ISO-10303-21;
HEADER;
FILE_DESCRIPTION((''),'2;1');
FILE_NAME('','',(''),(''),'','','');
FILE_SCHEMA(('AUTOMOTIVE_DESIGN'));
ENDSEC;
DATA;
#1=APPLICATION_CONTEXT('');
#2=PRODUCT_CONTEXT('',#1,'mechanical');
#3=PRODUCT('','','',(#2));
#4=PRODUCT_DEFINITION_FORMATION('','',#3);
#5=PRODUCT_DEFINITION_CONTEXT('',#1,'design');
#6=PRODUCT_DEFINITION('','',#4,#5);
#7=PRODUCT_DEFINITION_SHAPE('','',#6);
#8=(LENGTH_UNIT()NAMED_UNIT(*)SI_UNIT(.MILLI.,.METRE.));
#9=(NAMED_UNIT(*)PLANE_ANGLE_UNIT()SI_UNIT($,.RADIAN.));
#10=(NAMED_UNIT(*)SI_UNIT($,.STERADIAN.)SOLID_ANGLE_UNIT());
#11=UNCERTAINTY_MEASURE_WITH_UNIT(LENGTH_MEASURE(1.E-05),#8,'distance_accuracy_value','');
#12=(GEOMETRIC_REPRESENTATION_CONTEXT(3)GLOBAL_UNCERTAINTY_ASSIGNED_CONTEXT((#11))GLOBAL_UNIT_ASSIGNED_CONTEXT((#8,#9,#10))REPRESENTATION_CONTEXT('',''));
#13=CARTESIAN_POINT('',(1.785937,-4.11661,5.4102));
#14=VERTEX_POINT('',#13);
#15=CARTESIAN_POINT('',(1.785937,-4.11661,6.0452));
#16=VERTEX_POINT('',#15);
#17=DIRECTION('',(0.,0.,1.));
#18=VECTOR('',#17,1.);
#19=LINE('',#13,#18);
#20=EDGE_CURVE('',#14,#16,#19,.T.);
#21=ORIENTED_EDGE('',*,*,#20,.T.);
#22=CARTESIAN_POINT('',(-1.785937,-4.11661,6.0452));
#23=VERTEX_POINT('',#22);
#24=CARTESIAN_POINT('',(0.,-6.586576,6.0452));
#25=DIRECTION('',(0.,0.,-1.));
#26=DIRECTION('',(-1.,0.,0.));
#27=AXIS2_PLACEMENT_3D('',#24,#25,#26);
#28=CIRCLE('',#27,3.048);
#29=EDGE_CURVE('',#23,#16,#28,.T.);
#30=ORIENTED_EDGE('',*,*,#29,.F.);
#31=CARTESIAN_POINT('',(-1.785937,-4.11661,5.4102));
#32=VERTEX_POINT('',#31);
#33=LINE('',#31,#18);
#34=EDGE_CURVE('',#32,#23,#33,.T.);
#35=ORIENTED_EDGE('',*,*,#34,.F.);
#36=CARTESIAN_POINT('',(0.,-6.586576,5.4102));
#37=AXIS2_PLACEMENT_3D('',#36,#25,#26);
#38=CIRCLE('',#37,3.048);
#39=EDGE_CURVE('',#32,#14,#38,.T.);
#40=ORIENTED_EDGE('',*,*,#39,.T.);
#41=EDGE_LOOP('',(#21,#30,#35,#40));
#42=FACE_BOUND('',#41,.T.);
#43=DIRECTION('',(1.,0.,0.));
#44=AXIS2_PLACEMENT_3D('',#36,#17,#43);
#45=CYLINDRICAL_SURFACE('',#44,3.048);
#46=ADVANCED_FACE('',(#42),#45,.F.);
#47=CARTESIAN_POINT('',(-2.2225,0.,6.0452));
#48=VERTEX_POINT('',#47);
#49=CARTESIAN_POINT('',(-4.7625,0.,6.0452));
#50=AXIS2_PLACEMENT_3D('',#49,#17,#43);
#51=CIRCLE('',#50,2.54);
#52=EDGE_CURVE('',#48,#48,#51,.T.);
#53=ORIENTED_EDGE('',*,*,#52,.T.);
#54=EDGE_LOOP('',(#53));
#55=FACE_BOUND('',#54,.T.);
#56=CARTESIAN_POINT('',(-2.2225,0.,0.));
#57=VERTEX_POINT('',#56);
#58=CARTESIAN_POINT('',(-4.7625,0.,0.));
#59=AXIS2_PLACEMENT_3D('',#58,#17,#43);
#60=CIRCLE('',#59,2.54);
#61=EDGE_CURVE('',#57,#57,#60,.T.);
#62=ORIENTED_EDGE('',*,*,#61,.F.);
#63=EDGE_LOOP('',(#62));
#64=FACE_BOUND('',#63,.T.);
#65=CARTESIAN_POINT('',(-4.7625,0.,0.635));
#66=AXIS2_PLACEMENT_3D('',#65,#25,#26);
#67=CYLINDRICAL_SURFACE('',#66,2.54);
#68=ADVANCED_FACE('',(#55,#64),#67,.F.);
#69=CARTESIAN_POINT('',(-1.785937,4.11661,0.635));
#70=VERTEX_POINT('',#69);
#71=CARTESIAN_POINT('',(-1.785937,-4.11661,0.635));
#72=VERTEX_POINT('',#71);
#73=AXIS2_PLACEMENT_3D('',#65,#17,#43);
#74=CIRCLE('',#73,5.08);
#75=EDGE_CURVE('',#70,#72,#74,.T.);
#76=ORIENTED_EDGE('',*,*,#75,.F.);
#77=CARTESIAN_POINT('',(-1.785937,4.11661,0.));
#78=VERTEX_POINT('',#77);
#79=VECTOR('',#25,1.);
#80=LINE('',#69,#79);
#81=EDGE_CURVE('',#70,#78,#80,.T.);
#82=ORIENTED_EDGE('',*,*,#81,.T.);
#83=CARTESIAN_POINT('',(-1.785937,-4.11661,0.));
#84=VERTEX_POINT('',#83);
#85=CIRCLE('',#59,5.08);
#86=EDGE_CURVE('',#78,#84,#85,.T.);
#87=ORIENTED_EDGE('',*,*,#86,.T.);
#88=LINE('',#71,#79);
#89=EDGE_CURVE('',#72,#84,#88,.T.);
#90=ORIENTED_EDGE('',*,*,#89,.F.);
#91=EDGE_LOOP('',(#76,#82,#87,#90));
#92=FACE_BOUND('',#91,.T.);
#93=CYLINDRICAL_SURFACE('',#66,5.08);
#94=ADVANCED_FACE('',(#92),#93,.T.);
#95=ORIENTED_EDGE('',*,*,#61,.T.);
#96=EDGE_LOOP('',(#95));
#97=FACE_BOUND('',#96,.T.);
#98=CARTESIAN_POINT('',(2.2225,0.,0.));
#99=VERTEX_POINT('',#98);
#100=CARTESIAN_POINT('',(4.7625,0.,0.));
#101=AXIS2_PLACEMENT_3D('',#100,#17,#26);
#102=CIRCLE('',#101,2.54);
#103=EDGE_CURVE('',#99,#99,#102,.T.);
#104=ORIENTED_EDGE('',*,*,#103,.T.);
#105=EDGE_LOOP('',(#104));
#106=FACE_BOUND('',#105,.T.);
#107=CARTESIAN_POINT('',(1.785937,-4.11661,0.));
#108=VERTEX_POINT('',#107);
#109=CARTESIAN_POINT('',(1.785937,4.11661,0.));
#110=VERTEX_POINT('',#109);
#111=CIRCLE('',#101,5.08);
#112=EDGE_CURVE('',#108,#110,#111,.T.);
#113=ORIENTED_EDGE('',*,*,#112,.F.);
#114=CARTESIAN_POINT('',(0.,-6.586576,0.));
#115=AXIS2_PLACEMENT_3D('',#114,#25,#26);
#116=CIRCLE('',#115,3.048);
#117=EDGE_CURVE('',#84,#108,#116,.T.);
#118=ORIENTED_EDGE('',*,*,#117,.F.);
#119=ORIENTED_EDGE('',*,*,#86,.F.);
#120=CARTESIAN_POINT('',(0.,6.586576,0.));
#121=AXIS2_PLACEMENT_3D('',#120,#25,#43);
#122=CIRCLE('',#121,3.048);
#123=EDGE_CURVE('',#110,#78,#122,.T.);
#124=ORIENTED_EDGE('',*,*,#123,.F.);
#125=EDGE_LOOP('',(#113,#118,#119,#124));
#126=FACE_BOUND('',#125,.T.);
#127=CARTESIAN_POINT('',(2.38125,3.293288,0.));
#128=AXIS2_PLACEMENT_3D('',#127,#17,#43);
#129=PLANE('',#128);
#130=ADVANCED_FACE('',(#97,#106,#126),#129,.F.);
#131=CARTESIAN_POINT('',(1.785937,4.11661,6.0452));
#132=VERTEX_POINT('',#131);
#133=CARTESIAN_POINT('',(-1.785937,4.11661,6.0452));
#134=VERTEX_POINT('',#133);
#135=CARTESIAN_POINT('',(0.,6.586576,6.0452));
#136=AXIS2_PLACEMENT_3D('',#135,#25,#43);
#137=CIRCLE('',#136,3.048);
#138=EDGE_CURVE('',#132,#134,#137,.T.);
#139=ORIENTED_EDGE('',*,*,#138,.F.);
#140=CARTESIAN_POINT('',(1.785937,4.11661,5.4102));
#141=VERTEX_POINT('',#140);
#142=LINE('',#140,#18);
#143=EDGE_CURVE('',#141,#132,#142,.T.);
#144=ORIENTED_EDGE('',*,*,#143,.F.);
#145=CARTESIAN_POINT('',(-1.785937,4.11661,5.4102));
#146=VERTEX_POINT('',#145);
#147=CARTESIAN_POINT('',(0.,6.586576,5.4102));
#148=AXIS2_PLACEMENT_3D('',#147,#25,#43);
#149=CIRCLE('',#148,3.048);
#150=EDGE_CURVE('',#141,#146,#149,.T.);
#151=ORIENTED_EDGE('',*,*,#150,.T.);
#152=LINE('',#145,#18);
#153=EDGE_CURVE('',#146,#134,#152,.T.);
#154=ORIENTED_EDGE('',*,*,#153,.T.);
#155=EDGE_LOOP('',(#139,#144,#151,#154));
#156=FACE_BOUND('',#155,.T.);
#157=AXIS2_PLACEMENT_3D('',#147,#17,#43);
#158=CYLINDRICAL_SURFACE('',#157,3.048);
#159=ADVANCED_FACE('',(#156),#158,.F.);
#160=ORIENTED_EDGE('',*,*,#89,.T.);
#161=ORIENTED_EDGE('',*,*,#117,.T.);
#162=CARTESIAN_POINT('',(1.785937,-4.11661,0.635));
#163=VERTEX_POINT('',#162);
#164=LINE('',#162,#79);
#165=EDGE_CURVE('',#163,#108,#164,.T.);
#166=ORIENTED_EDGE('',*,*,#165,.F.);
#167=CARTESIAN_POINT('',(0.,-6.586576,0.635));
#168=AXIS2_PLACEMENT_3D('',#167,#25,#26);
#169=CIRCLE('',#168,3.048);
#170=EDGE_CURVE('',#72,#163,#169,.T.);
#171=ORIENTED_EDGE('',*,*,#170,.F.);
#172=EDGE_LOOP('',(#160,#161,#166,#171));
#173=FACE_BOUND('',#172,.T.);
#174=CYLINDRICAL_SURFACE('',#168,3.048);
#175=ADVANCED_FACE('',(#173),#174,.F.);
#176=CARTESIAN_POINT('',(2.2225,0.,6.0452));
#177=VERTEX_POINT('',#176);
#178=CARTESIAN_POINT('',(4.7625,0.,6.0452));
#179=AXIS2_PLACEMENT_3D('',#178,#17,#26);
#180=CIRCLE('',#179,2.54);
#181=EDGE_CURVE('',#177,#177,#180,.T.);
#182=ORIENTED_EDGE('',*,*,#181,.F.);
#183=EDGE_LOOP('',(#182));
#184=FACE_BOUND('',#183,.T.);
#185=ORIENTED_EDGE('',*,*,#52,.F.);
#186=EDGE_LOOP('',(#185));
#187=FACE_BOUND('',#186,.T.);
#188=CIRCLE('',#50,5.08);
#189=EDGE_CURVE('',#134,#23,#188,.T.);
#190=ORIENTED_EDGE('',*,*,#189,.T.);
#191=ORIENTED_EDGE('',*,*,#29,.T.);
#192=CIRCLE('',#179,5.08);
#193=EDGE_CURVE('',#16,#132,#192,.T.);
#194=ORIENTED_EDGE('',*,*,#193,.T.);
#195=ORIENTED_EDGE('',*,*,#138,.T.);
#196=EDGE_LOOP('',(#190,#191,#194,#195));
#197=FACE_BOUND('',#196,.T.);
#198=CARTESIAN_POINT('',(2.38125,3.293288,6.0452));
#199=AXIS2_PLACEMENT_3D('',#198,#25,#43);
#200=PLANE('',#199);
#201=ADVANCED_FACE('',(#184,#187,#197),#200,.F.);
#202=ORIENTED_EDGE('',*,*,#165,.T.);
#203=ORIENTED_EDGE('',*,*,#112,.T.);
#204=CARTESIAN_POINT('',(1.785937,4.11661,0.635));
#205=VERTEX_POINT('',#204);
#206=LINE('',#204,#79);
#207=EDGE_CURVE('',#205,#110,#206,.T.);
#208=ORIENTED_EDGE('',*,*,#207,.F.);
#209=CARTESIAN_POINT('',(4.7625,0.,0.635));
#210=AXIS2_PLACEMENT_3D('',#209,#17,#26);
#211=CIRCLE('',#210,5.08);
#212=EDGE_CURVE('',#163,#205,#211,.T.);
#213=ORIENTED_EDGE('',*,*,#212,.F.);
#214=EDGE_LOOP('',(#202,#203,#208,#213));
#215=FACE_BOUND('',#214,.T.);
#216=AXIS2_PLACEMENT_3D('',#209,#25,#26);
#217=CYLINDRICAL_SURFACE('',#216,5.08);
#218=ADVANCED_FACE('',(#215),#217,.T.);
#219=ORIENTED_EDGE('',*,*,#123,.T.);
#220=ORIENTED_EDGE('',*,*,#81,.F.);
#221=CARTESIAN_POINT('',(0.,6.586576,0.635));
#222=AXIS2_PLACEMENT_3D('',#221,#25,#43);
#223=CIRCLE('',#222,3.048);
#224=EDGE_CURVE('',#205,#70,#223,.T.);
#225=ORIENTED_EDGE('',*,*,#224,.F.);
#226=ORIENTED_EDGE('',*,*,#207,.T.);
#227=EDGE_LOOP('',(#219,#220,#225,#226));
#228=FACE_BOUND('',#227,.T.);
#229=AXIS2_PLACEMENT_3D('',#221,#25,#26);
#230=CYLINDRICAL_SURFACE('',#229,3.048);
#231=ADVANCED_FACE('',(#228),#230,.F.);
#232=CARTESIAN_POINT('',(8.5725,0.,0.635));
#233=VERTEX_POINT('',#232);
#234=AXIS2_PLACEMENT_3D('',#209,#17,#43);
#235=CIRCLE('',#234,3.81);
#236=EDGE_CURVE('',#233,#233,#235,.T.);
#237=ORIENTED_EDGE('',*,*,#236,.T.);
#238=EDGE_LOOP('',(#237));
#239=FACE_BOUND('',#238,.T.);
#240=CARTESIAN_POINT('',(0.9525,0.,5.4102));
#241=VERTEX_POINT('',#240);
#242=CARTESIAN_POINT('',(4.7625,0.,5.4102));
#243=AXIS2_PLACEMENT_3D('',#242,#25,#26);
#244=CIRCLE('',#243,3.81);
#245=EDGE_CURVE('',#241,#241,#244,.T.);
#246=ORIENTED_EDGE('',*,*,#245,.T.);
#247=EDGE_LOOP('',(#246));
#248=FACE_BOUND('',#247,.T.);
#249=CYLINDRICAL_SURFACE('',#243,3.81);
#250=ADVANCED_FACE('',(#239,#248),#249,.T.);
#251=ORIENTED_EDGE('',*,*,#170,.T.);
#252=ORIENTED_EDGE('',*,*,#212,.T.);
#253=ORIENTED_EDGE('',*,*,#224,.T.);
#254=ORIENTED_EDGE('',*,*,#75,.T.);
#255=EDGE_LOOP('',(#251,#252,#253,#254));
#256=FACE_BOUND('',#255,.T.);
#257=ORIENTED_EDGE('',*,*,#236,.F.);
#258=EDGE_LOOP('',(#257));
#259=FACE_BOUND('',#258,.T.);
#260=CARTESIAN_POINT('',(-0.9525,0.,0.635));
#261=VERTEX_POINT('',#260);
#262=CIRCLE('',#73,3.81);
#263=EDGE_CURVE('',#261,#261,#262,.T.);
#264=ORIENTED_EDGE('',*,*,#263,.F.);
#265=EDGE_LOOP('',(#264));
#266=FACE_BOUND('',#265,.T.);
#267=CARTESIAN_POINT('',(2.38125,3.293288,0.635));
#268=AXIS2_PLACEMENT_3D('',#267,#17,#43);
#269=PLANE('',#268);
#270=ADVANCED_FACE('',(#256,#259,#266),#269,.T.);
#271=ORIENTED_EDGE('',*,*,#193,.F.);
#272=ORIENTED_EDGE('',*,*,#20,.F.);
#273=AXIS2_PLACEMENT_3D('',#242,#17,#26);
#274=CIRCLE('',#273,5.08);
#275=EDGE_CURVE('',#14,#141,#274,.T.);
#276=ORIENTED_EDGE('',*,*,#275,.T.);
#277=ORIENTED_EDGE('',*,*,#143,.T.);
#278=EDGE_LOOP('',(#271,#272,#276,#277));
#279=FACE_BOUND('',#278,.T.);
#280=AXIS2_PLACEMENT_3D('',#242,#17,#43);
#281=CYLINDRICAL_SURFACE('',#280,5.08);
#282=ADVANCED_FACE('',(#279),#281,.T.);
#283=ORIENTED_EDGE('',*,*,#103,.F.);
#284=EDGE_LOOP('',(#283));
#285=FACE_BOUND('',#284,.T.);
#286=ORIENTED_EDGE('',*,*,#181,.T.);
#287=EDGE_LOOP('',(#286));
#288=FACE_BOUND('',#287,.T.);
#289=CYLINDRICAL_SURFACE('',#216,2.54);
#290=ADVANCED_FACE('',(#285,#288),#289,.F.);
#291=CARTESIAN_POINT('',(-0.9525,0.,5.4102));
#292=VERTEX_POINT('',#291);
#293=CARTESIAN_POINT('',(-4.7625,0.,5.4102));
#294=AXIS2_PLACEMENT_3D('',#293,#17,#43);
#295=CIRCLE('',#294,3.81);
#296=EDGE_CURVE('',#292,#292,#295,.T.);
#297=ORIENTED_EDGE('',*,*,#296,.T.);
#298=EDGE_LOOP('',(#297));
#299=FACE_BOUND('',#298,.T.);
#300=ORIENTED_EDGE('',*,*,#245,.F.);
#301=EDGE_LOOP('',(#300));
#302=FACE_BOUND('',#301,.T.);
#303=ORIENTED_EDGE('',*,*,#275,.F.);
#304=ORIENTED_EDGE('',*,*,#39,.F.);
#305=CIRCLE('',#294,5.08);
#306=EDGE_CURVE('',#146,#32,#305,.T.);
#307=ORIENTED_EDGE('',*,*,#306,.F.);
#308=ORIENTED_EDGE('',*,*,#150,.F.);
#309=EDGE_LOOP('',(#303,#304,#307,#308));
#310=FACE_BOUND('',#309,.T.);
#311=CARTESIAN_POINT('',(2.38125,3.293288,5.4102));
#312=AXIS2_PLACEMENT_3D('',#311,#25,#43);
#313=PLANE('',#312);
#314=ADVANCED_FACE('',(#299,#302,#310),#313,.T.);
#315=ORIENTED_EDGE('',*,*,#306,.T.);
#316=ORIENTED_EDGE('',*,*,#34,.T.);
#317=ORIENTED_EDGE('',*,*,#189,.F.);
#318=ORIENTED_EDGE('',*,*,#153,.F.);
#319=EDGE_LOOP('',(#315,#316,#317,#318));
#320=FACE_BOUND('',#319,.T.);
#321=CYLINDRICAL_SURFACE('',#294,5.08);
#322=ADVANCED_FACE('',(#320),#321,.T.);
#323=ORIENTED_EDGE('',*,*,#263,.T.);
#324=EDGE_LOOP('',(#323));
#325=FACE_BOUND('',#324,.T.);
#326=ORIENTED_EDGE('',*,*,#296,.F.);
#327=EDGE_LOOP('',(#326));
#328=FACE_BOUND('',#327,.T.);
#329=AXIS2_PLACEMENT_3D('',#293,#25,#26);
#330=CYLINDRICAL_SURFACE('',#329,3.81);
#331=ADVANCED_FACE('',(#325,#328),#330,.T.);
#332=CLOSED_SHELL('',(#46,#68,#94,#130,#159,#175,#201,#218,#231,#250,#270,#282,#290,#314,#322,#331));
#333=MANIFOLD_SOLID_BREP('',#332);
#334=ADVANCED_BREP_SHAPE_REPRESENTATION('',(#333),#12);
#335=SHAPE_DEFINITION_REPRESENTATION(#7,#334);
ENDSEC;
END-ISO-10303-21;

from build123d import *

# Parameters (mm, degrees)
SKETCH1_R           = 2.54
BOSS_EXTRUDE1_DEPTH = 0.635
SKETCH2_R           = 3.81
SKETCH2_R_2         = 2.54
BOSS_EXTRUDE2_DEPTH = 4.7752


with BuildPart() as part:
    # Sketch1 → Boss-Extrude1 (new body)
    with BuildSketch(Plane.XY):
        with BuildLine():
            ThreePointArc((-1.7859375, 4.116609732), (-9.8425, 0), (-1.7859375, -4.116609732))
            ThreePointArc((-1.7859375, -4.116609732), (0, -3.538575571), (1.7859375, -4.116609732))
            ThreePointArc((1.7859375, -4.116609732), (9.8425, 0), (1.7859375, 4.116609732))
            ThreePointArc((1.7859375, 4.116609732), (0, 3.538575571), (-1.7859375, 4.116609732))
        make_face()
        with Locations((-4.7625, 0)):
            Circle(SKETCH1_R, mode=Mode.SUBTRACT)
        with Locations((4.7625, 0)):
            Circle(SKETCH1_R, mode=Mode.SUBTRACT)
    boss_extrude1 = extrude(amount=BOSS_EXTRUDE1_DEPTH)

    # Sketch2 → Boss-Extrude2 (add)
    with BuildSketch(Plane.XY.offset(0.635)):
        with Locations((-4.7625, 0)):
            Circle(SKETCH2_R)
        with Locations((-4.7625, 0)):
            Circle(SKETCH2_R_2, mode=Mode.SUBTRACT)
    boss_extrude2 = extrude(amount=BOSS_EXTRUDE2_DEPTH)

    # Mirror1: Boss-Extrude2 across plane
    add(boss_extrude2.mirror(Plane(origin=(0, 0, 0), x_dir=(0, 0, 1), z_dir=(1, 0, 0))))

    # Mirror2: Boss-Extrude1 across plane
    add(boss_extrude1.mirror(Plane.XY.offset(3.0226)))


solid = part.part
